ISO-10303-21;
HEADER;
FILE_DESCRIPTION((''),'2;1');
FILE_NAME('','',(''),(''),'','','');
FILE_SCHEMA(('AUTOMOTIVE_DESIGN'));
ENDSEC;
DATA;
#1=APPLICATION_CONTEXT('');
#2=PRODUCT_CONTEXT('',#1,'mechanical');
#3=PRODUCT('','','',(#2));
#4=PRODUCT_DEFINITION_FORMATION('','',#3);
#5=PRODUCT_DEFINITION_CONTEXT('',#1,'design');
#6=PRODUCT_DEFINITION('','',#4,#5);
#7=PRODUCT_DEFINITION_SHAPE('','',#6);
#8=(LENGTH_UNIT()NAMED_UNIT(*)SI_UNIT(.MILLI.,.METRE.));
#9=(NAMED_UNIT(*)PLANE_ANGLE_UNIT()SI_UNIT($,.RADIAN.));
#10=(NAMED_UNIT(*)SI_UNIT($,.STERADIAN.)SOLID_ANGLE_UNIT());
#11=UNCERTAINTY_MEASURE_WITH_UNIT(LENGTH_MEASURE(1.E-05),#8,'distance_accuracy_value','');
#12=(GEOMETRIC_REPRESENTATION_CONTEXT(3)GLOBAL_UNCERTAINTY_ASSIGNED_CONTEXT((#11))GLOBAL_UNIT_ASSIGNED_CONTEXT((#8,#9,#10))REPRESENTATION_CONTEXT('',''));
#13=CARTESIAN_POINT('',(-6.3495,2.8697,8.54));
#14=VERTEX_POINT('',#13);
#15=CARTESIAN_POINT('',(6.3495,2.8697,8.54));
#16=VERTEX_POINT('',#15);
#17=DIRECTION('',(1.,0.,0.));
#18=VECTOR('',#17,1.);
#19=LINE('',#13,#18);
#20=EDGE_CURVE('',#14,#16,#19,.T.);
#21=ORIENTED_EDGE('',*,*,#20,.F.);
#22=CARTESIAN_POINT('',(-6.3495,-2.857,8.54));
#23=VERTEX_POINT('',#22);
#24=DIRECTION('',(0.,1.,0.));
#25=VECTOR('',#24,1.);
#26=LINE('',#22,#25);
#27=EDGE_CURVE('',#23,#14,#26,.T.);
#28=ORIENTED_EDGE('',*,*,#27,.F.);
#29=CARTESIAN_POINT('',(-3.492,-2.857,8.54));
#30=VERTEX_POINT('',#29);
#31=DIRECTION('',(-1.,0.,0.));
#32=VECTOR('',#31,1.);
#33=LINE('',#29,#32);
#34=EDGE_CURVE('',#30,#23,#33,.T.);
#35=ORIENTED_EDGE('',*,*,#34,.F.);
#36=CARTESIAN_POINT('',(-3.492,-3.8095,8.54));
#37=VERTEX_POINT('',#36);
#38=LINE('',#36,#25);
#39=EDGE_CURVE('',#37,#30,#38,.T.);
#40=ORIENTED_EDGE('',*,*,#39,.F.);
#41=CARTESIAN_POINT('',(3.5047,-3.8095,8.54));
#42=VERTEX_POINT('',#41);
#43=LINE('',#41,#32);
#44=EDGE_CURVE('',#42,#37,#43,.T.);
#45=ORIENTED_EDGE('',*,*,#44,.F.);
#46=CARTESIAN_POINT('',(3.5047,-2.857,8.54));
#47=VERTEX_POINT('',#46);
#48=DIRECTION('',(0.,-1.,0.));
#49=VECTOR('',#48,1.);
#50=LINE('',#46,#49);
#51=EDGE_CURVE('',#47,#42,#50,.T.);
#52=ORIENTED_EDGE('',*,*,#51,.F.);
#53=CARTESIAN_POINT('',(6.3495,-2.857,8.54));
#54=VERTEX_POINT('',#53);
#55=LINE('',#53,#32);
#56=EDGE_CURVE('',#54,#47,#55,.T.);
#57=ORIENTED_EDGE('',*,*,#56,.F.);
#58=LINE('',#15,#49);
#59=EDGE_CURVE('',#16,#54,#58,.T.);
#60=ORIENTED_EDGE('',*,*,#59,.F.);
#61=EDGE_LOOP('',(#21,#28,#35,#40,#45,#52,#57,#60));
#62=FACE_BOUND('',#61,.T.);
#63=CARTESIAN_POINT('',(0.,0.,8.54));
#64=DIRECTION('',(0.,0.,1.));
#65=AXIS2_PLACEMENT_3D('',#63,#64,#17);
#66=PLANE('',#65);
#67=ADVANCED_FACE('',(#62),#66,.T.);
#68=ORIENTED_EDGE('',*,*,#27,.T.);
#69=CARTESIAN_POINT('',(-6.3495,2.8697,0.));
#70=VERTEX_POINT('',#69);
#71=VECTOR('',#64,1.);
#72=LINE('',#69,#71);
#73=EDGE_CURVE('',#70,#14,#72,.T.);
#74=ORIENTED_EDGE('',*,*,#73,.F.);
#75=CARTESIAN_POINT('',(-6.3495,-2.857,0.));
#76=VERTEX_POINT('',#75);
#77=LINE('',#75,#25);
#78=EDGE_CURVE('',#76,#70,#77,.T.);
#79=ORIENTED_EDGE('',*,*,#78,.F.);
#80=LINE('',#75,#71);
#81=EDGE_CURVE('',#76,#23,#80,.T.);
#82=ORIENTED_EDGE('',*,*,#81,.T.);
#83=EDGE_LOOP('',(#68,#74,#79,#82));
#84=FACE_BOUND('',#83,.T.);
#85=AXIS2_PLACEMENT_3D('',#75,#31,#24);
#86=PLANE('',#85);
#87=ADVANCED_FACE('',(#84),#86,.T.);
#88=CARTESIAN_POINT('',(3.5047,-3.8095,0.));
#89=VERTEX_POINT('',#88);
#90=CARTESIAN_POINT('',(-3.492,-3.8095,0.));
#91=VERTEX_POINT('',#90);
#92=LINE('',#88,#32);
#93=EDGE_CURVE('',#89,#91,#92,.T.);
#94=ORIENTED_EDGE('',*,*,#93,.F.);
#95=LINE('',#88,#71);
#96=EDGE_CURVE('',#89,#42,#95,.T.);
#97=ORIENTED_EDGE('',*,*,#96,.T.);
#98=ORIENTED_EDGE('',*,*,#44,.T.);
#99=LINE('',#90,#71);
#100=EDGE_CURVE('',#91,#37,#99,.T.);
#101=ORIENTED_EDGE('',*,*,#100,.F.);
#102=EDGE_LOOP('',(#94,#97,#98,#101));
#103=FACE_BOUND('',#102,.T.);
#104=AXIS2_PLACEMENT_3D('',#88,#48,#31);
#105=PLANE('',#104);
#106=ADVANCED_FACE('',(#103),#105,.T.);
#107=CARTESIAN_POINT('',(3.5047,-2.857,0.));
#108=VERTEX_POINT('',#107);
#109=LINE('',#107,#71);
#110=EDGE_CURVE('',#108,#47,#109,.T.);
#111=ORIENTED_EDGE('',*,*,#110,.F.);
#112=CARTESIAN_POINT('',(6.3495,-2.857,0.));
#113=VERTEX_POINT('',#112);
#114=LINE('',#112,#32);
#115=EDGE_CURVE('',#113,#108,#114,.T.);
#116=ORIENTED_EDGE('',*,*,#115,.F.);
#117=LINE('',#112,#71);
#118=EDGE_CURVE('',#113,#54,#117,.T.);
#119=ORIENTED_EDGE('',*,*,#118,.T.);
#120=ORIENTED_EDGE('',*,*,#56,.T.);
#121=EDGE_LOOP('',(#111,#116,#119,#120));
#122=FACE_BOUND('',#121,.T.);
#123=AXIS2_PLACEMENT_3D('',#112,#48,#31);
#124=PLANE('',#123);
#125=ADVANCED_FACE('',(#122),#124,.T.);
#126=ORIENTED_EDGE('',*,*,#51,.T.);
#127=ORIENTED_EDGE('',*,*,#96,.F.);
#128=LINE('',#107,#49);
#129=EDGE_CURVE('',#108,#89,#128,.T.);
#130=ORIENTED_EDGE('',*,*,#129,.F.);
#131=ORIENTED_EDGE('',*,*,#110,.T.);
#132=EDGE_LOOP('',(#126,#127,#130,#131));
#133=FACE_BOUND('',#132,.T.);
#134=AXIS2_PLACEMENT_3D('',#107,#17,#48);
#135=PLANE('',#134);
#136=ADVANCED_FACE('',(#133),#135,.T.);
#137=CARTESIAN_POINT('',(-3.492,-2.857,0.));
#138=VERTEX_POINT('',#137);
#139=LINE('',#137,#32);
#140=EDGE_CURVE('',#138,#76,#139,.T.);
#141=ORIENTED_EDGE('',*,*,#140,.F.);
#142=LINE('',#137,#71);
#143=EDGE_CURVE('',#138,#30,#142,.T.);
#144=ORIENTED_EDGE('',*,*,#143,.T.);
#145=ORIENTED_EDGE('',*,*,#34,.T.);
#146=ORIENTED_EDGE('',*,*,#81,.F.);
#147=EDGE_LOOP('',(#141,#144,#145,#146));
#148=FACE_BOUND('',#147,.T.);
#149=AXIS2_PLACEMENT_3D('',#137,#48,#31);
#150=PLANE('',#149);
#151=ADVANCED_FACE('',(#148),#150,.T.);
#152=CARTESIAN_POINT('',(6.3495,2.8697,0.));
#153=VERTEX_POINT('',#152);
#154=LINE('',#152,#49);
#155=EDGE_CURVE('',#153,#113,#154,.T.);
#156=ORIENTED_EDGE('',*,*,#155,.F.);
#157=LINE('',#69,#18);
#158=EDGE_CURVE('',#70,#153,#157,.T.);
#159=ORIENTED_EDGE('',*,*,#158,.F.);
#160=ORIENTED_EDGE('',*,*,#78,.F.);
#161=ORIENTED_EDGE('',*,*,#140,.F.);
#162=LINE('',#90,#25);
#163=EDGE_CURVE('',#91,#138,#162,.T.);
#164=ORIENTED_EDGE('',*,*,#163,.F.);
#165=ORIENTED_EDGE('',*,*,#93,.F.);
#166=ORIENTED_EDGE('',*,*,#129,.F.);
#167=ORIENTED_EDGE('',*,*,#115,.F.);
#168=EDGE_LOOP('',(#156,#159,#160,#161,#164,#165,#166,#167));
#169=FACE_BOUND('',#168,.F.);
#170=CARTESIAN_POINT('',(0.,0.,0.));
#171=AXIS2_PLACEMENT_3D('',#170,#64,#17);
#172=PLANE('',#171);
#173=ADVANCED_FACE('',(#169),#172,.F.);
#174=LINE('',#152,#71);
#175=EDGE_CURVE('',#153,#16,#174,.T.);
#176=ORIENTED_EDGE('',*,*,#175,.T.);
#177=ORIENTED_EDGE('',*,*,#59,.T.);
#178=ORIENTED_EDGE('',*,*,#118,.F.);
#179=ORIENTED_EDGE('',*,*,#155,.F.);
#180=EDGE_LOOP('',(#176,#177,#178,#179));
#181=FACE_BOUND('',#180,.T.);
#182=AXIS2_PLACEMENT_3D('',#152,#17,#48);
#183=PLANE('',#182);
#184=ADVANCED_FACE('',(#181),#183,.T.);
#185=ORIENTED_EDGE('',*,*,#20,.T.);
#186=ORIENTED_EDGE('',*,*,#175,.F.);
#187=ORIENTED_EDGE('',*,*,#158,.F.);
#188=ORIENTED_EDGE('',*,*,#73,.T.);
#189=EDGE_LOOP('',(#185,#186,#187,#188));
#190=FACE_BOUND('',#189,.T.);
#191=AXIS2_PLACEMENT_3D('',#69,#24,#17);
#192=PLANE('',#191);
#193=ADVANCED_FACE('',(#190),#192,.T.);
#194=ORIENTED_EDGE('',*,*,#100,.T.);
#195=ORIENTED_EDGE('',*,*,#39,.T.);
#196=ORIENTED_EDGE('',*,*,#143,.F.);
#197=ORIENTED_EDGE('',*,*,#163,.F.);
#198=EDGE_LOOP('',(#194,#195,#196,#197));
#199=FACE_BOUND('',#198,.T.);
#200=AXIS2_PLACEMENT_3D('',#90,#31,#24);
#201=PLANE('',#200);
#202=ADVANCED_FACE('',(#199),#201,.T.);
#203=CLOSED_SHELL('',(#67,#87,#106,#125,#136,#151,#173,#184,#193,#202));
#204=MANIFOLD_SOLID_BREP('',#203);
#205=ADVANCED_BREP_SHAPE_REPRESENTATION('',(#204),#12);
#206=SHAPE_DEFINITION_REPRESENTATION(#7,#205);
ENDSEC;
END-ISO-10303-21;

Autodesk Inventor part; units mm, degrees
ref_plane "YZ Plane" through (0, 0, 0) normal (1, 0, 0) x (0, 1, 0)
ref_plane "XZ Plane" through (0, 0, 0) normal (0, 1, 0) x (-1, 0, 0)
ref_plane "XY Plane" through (0, 0, 0) normal (0, 0, 1) x (1, 0, 0)
sketch "4POL254, MPT4_251" plane through (0, 0, 0) normal (0, 0, 1) x (1, 0, 0)
  line L0 (-3.492, -2.857) -> (-6.3495, -2.857)
  line L1 (-6.3495, -2.857) -> (-6.3495, 2.8697)
  line L2 (-6.3495, 2.8697) -> (6.3495, 2.8697)
  line L3 (6.3495, 2.8697) -> (6.3495, -2.857)
  line L4 (6.3495, -2.857) -> (3.5047, -2.857)
  line L5 (3.5047, -2.857) -> (3.5047, -3.8095)
  line L6 (3.5047, -3.8095) -> (-3.492, -3.8095)
  line L7 (-3.492, -3.8095) -> (-3.492, -2.857)
extrude "Extrusion1" add sketch "4POL254, MPT4_251" along normal blind 8.54
properties part number "MPT4"
